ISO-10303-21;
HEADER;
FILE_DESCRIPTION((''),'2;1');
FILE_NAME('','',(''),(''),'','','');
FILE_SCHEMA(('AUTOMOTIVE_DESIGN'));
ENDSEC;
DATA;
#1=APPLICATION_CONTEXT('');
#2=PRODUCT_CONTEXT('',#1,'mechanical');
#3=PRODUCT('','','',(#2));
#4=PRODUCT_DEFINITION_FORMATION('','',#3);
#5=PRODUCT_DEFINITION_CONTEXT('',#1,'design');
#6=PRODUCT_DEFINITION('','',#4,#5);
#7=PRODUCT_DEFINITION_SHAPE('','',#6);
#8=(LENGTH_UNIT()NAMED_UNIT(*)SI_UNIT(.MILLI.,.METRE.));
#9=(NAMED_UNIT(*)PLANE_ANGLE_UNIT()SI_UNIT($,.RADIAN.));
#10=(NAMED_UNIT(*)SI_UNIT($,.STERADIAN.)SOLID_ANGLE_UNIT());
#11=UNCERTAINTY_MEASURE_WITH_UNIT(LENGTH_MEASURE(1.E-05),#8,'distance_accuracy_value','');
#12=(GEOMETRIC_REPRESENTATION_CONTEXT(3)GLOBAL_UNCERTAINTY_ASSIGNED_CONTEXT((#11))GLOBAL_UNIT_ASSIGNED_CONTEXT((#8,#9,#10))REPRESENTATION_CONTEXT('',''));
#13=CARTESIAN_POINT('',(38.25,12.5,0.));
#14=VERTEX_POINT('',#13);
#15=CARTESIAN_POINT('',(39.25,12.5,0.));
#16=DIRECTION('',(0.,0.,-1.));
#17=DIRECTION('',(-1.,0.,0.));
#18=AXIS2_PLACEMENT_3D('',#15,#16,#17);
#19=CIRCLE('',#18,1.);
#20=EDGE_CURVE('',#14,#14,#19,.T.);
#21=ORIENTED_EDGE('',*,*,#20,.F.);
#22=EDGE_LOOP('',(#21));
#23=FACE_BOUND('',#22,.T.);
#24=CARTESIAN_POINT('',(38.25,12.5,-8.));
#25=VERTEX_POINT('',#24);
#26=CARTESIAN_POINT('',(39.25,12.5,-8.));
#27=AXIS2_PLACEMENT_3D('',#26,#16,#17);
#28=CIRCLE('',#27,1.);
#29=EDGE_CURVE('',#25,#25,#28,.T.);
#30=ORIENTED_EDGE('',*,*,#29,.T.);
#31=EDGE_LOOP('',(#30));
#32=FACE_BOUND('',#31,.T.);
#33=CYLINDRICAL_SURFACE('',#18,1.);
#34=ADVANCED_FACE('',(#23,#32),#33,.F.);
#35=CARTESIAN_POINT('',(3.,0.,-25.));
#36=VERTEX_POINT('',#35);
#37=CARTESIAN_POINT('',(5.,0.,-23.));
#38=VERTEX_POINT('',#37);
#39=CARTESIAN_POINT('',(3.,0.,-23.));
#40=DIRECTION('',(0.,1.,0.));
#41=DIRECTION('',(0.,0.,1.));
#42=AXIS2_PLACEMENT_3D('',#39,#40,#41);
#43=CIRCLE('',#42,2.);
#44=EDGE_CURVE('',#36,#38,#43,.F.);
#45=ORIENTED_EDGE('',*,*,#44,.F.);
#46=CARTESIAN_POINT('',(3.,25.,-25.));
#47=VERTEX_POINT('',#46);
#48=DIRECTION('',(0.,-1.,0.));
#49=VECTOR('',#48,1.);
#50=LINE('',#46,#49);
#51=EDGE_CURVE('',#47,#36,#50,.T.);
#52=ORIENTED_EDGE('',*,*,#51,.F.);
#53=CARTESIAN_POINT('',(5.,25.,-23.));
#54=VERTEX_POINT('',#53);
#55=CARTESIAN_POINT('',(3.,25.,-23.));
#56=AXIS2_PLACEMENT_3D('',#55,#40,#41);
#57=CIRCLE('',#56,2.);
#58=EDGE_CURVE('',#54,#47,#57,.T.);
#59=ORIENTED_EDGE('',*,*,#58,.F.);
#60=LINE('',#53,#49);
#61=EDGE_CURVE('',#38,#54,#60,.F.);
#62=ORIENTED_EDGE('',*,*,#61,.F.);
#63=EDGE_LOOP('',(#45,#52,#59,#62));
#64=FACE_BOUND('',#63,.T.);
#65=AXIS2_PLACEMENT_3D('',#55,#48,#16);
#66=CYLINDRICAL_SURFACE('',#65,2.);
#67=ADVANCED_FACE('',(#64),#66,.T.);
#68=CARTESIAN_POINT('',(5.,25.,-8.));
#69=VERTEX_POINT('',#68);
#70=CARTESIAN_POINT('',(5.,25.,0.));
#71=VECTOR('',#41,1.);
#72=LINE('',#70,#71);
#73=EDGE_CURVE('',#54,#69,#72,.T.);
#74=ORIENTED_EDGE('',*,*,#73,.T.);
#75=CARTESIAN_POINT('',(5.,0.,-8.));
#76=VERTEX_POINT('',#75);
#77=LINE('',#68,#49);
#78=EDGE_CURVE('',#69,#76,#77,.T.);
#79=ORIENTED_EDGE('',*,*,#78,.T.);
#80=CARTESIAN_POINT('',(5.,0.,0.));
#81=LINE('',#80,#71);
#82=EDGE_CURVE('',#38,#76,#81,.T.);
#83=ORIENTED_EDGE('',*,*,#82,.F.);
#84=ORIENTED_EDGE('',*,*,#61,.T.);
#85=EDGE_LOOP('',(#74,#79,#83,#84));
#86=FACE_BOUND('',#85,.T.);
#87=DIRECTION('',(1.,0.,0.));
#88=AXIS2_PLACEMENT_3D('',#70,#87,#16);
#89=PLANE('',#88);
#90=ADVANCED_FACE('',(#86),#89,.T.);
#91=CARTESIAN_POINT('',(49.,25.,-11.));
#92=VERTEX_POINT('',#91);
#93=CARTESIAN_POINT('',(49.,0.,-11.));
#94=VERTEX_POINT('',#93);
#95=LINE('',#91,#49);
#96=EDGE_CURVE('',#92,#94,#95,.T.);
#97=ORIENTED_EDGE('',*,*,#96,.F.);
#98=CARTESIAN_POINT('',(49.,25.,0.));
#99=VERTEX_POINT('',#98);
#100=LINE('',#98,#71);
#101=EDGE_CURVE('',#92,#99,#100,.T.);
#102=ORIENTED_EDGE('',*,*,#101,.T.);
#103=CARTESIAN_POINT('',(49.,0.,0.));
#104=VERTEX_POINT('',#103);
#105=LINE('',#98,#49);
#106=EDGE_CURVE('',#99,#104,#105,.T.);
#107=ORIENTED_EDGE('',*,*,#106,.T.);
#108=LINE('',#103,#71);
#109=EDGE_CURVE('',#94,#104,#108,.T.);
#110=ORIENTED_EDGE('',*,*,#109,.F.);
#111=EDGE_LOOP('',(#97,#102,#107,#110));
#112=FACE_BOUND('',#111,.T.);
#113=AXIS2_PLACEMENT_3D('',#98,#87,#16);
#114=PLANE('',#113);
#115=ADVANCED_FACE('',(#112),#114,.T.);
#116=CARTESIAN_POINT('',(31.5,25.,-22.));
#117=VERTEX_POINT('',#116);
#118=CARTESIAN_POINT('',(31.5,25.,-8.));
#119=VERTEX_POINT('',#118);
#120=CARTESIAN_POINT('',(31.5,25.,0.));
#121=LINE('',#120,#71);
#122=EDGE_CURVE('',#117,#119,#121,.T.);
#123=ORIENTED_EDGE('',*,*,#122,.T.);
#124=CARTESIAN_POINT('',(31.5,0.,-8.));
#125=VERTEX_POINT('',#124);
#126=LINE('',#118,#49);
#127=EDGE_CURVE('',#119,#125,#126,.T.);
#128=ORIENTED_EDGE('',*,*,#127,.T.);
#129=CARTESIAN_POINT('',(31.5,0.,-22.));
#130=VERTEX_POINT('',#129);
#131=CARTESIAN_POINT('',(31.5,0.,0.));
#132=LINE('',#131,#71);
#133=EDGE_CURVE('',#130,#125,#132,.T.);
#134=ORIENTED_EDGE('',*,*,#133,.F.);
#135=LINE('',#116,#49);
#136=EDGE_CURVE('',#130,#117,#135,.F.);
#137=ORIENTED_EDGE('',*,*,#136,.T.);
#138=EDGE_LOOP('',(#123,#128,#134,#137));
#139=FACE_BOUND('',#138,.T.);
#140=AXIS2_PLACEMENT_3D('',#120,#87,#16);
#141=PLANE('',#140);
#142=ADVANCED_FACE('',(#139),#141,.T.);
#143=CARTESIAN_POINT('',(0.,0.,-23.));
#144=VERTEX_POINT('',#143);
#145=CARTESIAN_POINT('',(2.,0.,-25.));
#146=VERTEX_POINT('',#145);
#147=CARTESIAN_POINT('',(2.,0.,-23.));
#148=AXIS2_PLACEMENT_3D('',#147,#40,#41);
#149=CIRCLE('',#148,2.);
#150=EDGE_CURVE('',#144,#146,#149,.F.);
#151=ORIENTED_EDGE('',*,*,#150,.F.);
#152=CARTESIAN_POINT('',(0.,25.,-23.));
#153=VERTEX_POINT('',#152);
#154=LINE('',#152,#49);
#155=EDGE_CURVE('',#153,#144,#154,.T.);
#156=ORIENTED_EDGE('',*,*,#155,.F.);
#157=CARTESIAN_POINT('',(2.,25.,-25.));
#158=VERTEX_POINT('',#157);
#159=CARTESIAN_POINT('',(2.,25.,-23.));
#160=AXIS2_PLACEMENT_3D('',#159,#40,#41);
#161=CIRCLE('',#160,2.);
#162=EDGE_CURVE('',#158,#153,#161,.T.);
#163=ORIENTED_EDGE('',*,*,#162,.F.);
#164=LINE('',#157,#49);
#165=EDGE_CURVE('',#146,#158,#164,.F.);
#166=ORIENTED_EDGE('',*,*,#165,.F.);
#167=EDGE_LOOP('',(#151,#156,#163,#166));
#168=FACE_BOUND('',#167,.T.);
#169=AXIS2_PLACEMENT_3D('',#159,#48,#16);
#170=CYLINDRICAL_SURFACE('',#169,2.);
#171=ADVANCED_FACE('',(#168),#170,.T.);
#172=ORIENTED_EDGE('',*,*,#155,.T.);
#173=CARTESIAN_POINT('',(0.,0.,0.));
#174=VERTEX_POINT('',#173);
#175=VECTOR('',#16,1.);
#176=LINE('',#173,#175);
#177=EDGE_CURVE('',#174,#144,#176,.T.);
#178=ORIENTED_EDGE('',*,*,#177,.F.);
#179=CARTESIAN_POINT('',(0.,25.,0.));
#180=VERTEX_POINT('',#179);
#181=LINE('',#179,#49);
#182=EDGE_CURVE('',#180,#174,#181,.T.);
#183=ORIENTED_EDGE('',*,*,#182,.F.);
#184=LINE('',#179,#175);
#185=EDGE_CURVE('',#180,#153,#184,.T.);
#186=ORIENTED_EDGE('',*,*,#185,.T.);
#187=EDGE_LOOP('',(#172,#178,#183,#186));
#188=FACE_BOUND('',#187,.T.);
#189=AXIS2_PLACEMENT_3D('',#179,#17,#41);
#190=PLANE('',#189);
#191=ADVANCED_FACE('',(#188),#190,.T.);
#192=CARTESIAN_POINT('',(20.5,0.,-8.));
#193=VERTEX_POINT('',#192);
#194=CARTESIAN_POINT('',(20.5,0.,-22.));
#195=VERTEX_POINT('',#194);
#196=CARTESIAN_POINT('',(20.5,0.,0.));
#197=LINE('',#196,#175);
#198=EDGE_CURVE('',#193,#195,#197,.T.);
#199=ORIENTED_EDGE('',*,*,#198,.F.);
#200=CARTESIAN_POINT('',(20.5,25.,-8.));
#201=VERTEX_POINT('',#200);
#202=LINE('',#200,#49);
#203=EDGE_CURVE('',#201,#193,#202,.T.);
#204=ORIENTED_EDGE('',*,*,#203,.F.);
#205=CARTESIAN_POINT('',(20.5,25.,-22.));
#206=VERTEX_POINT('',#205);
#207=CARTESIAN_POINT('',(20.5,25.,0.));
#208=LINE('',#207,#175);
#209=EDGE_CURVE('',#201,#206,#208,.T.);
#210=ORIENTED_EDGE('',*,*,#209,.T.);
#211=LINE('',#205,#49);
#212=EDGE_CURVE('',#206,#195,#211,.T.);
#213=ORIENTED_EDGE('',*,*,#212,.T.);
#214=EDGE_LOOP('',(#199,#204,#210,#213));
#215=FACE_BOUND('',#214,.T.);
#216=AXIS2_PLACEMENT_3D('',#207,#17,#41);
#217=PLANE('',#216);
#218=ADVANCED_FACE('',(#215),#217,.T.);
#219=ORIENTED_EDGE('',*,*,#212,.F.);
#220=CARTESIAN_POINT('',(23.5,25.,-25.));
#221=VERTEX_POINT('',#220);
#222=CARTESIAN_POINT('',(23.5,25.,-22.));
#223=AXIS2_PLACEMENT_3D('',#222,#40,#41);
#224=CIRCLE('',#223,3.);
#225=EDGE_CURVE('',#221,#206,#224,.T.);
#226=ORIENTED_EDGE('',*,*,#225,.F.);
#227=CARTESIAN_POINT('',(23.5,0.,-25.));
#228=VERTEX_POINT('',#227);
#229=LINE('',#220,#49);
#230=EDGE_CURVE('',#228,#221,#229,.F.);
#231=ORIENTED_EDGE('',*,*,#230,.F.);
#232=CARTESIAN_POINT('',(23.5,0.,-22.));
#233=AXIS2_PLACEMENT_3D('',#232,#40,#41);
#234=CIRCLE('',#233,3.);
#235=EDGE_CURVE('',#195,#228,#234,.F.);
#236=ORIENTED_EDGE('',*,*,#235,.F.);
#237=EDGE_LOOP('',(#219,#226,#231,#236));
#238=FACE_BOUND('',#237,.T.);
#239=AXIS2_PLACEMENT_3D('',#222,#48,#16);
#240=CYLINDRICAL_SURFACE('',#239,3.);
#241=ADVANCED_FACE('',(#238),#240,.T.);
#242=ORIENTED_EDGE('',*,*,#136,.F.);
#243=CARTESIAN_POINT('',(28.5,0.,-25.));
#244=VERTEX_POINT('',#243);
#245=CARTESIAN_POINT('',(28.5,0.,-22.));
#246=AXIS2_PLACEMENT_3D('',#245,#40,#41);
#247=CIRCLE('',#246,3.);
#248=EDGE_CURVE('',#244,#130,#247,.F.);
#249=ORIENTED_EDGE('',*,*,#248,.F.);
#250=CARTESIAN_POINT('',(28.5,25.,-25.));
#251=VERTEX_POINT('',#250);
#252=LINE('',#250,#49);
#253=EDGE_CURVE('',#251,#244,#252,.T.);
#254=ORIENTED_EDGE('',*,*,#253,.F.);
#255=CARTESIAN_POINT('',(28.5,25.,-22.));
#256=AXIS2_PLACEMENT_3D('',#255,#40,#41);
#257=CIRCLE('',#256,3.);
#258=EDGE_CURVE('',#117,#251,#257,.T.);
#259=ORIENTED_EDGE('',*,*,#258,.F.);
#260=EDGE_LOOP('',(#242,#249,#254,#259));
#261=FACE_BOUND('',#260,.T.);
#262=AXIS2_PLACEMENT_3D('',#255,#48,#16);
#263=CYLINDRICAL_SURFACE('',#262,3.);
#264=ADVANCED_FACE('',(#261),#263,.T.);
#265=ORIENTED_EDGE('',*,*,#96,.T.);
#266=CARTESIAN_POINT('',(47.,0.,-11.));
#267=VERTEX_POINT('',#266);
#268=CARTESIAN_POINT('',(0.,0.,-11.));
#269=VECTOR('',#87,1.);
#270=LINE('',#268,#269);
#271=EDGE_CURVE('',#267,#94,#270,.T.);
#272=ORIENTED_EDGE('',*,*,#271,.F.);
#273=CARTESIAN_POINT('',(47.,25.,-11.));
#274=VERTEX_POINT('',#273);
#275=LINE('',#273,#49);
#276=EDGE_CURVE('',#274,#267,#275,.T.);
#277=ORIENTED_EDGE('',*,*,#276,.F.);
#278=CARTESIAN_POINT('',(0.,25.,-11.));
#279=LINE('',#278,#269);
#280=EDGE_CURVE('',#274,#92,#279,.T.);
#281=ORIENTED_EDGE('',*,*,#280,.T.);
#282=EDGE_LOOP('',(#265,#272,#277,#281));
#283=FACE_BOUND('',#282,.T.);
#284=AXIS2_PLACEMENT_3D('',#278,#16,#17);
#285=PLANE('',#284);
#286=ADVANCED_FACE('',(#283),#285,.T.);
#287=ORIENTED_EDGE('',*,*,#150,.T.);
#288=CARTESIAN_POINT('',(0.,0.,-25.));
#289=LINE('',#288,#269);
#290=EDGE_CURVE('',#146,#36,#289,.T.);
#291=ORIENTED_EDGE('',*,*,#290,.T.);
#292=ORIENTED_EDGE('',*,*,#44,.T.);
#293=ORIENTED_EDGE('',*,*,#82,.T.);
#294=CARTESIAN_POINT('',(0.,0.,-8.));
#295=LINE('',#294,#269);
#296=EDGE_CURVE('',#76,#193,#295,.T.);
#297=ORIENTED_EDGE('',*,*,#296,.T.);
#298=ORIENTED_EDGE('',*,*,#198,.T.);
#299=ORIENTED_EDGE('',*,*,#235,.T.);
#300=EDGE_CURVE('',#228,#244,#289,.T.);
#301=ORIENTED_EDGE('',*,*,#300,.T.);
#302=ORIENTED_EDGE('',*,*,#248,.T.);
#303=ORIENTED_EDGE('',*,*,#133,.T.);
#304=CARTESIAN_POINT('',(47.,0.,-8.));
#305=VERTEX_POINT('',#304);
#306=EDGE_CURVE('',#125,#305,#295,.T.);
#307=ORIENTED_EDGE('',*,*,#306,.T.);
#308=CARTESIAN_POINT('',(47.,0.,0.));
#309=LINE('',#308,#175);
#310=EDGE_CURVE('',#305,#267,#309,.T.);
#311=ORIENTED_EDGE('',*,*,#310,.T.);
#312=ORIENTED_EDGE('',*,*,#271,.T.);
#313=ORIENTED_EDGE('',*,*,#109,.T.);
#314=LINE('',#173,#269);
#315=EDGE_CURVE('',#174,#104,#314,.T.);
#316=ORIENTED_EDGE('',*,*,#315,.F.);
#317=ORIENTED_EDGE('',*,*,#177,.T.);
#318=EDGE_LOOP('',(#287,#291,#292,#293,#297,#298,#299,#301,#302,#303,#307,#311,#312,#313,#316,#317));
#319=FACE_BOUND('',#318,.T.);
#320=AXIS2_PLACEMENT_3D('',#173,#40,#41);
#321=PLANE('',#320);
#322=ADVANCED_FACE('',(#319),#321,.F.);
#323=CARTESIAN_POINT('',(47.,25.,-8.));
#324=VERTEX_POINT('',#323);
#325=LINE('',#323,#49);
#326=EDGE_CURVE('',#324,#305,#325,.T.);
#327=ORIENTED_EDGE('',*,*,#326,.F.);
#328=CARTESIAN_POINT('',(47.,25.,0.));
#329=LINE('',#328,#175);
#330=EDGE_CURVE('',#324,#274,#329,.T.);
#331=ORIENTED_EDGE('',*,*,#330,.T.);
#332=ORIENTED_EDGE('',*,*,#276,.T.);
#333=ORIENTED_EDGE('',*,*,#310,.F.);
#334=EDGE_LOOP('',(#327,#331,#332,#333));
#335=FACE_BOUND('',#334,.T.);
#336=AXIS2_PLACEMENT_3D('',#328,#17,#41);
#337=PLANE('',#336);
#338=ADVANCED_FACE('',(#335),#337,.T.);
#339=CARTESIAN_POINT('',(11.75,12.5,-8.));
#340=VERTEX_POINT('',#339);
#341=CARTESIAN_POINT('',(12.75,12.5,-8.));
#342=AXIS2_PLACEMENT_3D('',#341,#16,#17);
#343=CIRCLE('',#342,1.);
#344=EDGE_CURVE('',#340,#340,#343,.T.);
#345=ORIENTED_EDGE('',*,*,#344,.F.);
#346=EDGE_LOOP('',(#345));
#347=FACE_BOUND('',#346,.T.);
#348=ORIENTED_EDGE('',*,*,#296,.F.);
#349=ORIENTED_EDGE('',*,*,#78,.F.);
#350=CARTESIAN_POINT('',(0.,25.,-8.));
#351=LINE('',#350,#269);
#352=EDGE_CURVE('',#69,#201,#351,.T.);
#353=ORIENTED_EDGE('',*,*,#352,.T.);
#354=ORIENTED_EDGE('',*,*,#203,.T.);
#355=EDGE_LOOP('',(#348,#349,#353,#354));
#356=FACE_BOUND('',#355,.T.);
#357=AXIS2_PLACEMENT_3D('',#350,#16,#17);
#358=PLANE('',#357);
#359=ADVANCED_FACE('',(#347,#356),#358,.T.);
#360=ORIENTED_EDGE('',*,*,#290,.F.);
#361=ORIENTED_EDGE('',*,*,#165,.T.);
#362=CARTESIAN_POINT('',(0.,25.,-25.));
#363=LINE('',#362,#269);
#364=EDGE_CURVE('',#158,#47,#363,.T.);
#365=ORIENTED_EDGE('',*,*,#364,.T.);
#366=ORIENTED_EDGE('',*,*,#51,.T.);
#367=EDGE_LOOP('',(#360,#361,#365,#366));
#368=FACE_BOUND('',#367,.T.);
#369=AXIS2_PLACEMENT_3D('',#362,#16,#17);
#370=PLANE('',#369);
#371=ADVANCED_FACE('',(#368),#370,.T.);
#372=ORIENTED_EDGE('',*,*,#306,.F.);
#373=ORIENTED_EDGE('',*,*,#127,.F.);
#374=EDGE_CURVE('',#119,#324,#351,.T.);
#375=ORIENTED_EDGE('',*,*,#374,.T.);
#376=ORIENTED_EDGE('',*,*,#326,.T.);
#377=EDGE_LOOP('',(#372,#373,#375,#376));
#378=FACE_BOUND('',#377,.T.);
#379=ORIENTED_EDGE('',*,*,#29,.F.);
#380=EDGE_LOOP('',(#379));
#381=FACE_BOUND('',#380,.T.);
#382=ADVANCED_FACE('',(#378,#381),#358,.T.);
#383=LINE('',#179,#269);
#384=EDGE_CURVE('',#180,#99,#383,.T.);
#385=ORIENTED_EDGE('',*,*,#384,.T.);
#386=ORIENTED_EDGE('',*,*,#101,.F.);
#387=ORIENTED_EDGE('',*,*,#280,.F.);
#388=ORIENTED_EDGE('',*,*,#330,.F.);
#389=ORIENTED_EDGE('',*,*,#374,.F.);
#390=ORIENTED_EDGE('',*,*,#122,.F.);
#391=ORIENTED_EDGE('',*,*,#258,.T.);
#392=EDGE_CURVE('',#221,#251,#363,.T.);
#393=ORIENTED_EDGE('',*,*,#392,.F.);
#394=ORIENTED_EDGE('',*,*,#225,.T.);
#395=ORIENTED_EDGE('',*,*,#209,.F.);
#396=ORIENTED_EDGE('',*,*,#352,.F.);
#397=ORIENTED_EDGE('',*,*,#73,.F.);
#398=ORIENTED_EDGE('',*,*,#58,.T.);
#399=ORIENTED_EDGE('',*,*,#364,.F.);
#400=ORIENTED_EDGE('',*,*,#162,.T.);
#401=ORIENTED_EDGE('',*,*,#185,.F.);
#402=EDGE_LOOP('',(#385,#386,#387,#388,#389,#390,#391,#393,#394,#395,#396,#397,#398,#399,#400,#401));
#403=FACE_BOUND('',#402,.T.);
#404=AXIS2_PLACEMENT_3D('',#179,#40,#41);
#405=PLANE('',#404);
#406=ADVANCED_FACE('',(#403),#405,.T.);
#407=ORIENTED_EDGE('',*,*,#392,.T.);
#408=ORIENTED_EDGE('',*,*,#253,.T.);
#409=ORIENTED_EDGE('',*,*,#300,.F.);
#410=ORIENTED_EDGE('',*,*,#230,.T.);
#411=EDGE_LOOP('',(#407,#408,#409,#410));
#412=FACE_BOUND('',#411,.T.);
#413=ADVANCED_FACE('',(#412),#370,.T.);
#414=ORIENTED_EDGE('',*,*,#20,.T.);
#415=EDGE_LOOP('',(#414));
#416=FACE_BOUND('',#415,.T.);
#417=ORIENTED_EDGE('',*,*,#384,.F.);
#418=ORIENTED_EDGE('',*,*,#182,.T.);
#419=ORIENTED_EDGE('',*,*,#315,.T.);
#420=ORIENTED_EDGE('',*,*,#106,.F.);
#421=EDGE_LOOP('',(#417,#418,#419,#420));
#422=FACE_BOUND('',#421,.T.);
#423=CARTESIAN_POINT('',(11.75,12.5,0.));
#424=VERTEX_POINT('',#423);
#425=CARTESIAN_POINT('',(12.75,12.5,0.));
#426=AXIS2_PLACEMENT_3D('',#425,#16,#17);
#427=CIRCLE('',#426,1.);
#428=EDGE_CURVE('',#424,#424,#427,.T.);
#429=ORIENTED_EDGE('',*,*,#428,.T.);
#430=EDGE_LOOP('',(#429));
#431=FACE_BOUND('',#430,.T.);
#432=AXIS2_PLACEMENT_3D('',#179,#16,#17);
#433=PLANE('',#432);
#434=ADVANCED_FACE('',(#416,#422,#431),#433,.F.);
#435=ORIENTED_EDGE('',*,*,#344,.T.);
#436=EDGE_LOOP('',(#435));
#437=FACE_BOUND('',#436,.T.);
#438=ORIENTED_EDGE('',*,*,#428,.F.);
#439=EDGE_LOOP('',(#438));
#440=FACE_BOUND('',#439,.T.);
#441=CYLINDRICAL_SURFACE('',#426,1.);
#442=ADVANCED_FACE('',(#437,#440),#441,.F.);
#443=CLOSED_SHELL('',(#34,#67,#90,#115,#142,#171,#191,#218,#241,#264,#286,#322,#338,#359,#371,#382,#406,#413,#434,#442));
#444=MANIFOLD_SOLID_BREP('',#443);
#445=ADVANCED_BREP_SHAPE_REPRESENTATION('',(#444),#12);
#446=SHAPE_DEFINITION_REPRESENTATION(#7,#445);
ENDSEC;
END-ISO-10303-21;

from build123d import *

# Parameters (mm, degrees)
BOSS_EXTRUDE1_DEPTH = 25
FILLET2_R           = 3
FILLET3_R           = 2
SKETCH3_R           = 1
CUT_EXTRUDE1_DEPTH  = 58.576036682


with BuildPart() as part:
    # Sketch1 → Boss-Extrude1 (new body)
    with BuildSketch(Plane(origin=(0, 0, 0), x_dir=(1, 0, 0), z_dir=(0, 1, 0))):
        Polygon((0, 0), (49, 0), (49, 11), (47, 11), (47, 8), (31.5, 8), (31.5, 25), (20.5, 25), (20.5, 8), (5, 8), (5, 25), (0, 25), align=None)
    extrude(amount=BOSS_EXTRUDE1_DEPTH)

    # Fillet2
    fillet2_edges = [part.edges().sort_by_distance(p)[0] for p in [
        (20.5, 12.5, -25),
        (31.5, 12.5, -25),
    ]]
    fillet(fillet2_edges, radius=FILLET2_R)

    # Fillet3
    fillet3_edges = [part.edges().sort_by_distance(p)[0] for p in [
        (0, 12.5, -25),
        (5, 12.5, -25),
    ]]
    fillet(fillet3_edges, radius=FILLET3_R)

    # Sketch3 → Cut-Extrude1 (cut, through all)
    with BuildSketch(Plane(origin=(0, 0, -8), x_dir=(-1, 0, 0), z_dir=(0, 0, -1))):
        with Locations((-39.25, 12.5)):
            Circle(SKETCH3_R)
        with Locations((-12.75, 12.5)):
            Circle(SKETCH3_R)
    extrude(amount=-CUT_EXTRUDE1_DEPTH, mode=Mode.SUBTRACT)


solid = part.part
